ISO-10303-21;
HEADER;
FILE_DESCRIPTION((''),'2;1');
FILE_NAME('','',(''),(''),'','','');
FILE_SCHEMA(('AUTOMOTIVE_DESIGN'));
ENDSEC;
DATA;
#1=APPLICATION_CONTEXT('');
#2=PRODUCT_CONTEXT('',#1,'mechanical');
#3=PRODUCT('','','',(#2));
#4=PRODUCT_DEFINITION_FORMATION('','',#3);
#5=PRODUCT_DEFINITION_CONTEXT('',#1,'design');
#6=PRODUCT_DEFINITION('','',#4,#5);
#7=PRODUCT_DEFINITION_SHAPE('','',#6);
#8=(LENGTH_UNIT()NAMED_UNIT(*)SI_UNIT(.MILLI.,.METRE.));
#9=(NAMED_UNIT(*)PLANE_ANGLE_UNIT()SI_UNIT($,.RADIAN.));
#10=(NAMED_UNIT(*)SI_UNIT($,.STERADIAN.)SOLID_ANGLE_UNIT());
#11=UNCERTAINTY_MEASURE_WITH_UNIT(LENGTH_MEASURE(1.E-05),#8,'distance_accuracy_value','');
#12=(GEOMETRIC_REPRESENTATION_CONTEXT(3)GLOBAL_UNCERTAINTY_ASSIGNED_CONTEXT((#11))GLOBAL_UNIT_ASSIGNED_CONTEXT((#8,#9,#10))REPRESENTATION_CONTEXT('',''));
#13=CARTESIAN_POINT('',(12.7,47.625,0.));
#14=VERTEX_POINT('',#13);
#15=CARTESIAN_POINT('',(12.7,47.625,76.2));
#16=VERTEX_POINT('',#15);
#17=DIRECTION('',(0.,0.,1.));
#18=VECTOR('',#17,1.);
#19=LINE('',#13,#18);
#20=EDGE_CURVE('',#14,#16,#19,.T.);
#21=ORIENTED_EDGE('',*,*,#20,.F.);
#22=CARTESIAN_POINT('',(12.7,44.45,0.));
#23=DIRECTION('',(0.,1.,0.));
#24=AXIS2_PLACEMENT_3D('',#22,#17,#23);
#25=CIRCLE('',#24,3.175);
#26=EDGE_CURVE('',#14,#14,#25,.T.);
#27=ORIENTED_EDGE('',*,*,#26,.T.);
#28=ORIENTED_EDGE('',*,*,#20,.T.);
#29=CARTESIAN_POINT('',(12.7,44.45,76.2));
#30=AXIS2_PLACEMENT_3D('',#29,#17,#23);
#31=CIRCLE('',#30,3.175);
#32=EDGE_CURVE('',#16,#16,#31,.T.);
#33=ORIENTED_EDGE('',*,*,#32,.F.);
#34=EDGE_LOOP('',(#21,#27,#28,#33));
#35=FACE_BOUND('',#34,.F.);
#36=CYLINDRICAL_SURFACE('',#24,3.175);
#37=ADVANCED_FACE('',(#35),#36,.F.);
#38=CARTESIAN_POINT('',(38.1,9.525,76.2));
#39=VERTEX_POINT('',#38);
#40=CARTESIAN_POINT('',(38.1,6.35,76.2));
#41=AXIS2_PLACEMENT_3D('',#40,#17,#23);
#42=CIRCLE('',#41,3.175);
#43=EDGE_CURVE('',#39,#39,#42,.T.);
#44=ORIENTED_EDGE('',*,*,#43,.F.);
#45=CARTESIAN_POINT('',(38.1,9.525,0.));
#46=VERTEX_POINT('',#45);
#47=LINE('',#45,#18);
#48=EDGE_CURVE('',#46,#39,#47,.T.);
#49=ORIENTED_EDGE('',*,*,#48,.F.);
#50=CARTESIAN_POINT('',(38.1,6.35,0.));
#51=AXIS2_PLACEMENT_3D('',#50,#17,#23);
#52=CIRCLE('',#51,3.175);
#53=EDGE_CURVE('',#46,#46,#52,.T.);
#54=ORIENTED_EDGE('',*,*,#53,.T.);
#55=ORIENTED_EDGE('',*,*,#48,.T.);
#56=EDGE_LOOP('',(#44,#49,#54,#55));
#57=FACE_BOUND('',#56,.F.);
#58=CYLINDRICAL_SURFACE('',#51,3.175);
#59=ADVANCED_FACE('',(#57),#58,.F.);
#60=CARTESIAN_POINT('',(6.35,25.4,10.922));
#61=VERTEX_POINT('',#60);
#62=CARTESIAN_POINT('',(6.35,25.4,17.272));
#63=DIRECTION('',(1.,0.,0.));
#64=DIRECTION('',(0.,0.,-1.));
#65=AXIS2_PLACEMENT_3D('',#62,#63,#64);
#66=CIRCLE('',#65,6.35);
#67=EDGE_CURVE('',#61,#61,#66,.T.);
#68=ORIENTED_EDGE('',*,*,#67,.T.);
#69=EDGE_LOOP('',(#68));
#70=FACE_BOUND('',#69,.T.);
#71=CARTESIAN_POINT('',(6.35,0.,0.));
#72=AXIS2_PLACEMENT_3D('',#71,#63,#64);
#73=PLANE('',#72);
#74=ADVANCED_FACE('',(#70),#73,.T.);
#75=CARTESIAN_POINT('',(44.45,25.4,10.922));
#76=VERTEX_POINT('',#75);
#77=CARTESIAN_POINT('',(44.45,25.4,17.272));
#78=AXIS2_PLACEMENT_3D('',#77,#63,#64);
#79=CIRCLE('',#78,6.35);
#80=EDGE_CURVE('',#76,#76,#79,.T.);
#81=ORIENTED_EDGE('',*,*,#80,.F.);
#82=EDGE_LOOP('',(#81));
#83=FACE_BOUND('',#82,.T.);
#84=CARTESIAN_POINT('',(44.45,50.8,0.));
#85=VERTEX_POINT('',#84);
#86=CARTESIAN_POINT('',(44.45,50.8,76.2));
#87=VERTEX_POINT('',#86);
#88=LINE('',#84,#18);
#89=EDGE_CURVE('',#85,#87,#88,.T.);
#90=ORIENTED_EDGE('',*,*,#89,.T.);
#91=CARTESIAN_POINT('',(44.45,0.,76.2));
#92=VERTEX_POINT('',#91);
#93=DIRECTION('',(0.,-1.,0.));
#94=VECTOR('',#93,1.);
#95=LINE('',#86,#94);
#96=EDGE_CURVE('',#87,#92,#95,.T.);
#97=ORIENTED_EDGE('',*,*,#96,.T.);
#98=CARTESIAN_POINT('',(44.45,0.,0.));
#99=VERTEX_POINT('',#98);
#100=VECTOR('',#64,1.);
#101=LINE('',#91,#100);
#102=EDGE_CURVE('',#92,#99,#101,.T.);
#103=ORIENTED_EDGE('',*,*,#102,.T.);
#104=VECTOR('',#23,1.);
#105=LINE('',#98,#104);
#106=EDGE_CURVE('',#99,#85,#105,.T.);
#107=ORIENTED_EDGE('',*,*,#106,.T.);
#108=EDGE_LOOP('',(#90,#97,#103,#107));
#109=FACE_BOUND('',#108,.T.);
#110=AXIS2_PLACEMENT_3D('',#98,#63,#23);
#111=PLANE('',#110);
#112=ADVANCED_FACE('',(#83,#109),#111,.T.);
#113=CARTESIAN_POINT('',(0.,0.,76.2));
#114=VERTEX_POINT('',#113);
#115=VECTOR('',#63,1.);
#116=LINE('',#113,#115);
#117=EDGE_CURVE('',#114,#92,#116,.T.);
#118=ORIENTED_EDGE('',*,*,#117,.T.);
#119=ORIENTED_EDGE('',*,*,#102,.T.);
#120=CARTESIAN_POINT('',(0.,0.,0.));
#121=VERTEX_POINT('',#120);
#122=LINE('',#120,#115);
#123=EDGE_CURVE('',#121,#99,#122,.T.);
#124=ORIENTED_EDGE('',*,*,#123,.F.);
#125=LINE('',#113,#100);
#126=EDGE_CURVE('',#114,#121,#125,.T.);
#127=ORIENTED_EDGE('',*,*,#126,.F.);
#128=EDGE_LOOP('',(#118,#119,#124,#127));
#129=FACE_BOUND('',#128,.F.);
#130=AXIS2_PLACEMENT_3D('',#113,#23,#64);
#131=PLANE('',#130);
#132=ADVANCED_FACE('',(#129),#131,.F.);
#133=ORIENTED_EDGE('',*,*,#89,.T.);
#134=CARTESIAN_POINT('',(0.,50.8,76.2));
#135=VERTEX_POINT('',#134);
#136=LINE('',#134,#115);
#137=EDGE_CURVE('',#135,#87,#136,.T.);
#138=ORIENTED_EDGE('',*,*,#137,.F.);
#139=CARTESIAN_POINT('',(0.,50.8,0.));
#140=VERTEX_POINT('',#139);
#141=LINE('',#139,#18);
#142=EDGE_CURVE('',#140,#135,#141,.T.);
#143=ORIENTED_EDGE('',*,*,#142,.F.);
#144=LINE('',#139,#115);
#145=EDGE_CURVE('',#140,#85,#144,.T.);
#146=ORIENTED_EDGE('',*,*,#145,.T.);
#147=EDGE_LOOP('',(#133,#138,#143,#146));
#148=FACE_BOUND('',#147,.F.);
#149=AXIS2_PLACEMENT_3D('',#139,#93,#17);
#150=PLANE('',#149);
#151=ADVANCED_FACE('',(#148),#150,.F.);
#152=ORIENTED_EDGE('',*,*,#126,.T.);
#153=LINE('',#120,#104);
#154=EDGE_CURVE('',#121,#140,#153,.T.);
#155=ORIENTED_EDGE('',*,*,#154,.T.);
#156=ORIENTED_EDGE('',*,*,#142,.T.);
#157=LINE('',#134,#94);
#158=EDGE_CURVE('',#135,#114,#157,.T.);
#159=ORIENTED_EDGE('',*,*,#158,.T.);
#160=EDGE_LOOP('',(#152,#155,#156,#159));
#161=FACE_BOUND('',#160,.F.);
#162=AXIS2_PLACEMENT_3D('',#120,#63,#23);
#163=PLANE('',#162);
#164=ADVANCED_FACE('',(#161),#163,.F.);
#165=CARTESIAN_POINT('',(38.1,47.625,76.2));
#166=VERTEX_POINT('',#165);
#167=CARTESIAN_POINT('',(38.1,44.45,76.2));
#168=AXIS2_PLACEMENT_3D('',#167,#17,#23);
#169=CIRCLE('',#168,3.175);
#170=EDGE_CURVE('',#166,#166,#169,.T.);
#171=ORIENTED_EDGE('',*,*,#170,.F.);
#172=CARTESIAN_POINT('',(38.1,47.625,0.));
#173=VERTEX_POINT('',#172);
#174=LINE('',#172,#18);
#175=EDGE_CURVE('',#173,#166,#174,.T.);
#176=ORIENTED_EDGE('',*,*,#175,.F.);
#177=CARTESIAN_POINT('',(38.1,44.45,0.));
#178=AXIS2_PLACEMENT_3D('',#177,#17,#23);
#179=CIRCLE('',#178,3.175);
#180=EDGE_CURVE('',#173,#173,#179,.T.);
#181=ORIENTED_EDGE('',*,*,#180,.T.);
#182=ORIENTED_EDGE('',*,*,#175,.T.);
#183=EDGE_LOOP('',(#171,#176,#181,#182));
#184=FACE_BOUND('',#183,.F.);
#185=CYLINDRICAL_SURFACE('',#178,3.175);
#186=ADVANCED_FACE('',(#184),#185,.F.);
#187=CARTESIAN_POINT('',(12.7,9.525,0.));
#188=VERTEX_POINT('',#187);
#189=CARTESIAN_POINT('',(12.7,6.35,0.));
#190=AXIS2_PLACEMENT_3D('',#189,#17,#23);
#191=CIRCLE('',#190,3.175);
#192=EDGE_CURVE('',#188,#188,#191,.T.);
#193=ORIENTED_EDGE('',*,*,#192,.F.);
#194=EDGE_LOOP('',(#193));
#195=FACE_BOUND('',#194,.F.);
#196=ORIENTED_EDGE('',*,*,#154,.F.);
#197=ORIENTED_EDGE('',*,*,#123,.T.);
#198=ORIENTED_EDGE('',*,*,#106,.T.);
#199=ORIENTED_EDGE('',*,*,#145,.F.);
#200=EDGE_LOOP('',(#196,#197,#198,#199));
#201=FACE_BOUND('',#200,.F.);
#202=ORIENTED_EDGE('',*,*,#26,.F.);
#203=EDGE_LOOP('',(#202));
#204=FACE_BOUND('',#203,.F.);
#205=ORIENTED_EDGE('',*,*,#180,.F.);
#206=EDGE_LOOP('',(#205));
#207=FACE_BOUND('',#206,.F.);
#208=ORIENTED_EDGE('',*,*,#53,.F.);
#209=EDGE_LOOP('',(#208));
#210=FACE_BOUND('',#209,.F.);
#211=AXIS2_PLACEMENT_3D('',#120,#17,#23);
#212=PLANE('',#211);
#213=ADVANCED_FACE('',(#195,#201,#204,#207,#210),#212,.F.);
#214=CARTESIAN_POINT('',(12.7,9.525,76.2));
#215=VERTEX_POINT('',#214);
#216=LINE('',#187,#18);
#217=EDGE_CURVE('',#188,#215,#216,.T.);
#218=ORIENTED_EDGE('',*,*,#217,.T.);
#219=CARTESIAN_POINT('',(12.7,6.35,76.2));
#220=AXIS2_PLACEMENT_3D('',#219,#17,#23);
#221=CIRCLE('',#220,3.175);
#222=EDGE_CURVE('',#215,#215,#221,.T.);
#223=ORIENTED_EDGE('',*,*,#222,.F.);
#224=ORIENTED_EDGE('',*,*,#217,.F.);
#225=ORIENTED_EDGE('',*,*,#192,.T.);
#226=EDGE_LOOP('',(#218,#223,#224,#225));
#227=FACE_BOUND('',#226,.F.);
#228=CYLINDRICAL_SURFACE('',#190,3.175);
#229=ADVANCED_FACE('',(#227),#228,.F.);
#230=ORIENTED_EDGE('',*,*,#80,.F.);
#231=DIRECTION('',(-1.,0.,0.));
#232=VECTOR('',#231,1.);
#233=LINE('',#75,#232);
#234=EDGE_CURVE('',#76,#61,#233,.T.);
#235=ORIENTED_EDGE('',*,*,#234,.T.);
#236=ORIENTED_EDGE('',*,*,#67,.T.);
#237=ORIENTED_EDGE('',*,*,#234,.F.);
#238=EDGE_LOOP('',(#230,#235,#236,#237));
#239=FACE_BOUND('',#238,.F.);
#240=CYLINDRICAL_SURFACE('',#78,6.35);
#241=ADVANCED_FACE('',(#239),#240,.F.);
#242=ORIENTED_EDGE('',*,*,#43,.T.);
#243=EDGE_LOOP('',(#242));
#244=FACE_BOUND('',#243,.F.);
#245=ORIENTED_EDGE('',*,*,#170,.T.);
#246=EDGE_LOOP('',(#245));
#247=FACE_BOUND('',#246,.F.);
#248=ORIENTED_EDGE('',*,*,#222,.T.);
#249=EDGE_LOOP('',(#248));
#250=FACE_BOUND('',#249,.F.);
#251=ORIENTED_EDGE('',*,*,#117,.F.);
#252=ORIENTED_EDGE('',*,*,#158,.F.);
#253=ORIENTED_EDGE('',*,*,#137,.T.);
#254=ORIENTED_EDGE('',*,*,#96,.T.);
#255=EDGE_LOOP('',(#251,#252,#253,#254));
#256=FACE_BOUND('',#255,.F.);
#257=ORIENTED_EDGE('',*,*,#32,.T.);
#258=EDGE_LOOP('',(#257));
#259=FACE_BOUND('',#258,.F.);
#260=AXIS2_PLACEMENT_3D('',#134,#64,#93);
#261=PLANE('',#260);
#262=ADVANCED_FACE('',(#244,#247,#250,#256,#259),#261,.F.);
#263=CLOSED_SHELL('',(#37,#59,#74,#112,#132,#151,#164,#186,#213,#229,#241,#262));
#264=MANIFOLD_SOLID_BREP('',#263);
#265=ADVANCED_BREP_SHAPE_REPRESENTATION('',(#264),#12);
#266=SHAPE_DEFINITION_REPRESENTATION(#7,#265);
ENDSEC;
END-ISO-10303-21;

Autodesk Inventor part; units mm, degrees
ref_plane "YZ Plane" through (0, 0, 0) normal (1, 0, 0) x (0, 1, 0)
ref_plane "XZ Plane" through (0, 0, 0) normal (0, 1, 0) x (-1, 0, 0)
ref_plane "XY Plane" through (0, 0, 0) normal (0, 0, 1) x (1, 0, 0)
sketch "Sketch1" plane through (0, 0, 0) normal (1, 0, 0) x (0, 1, 0)
  line L0 (0, 0) -> (50.8, 0)
  line L1 (50.8, 0) -> (50.8, 76.2)
  line L2 (50.8, 76.2) -> (0, 76.2)
  line L3 (0, 76.2) -> (0, 0)
  dimension "d0" = 76.2
  dimension "d1" = 50.8
extrude "Extrusion1" add sketch "Sketch1" along normal blind 44.45
sketch "Sketch2" plane through (44.45, 0, 0) normal (1, 0, 0) x (0, 0, -1)
  line L0 (0, 50.8) -> (-76.2, 50.8) projected
  line L1 (-76.2, 50.8) -> (-76.2, 0) projected
  circle A0 centre (-17.272, 25.4) radius 6.35
  dimension "d4" = 12.7
  dimension "d5" = 25.4
  dimension "d6" = 58.928
extrude "Extrusion2" cut sketch "Sketch2" against normal blind 38.1
sketch "Sketch3" plane through (0, 0, 0) normal (0, 0, -1) x (-1, 0, 0)
  line L0 (0, 0) -> (0, 50.8) projected
  line L1 (0, 50.8) -> (-44.45, 50.8) projected
  line L2 (-44.45, 0) -> (-44.45, 50.8) projected
  line L3 (0, 0) -> (-44.45, 0) projected
  point P0 (-38.1, 44.45)
  point P1 (-12.7, 44.45)
  point P2 (-12.7, 6.35)
  point P3 (-38.1, 6.35)
  dimension "d9" = 6.35
  dimension "d10" = 6.35
  dimension "d11" = 6.35
  dimension "d12" = 12.7
  dimension "d13" = 12.7
  dimension "d14" = 6.35
  dimension "d15" = 6.35
  dimension "d16" = 6.35
hole "Hole1" at (38.1, 44.45, 0) at (12.7, 44.45, 0) at (12.7, 6.35, 0) at (38.1, 6.35, 0) direction (0, 0, 1) diameter 6.35 end through all
properties part number "Linear Bearing"
